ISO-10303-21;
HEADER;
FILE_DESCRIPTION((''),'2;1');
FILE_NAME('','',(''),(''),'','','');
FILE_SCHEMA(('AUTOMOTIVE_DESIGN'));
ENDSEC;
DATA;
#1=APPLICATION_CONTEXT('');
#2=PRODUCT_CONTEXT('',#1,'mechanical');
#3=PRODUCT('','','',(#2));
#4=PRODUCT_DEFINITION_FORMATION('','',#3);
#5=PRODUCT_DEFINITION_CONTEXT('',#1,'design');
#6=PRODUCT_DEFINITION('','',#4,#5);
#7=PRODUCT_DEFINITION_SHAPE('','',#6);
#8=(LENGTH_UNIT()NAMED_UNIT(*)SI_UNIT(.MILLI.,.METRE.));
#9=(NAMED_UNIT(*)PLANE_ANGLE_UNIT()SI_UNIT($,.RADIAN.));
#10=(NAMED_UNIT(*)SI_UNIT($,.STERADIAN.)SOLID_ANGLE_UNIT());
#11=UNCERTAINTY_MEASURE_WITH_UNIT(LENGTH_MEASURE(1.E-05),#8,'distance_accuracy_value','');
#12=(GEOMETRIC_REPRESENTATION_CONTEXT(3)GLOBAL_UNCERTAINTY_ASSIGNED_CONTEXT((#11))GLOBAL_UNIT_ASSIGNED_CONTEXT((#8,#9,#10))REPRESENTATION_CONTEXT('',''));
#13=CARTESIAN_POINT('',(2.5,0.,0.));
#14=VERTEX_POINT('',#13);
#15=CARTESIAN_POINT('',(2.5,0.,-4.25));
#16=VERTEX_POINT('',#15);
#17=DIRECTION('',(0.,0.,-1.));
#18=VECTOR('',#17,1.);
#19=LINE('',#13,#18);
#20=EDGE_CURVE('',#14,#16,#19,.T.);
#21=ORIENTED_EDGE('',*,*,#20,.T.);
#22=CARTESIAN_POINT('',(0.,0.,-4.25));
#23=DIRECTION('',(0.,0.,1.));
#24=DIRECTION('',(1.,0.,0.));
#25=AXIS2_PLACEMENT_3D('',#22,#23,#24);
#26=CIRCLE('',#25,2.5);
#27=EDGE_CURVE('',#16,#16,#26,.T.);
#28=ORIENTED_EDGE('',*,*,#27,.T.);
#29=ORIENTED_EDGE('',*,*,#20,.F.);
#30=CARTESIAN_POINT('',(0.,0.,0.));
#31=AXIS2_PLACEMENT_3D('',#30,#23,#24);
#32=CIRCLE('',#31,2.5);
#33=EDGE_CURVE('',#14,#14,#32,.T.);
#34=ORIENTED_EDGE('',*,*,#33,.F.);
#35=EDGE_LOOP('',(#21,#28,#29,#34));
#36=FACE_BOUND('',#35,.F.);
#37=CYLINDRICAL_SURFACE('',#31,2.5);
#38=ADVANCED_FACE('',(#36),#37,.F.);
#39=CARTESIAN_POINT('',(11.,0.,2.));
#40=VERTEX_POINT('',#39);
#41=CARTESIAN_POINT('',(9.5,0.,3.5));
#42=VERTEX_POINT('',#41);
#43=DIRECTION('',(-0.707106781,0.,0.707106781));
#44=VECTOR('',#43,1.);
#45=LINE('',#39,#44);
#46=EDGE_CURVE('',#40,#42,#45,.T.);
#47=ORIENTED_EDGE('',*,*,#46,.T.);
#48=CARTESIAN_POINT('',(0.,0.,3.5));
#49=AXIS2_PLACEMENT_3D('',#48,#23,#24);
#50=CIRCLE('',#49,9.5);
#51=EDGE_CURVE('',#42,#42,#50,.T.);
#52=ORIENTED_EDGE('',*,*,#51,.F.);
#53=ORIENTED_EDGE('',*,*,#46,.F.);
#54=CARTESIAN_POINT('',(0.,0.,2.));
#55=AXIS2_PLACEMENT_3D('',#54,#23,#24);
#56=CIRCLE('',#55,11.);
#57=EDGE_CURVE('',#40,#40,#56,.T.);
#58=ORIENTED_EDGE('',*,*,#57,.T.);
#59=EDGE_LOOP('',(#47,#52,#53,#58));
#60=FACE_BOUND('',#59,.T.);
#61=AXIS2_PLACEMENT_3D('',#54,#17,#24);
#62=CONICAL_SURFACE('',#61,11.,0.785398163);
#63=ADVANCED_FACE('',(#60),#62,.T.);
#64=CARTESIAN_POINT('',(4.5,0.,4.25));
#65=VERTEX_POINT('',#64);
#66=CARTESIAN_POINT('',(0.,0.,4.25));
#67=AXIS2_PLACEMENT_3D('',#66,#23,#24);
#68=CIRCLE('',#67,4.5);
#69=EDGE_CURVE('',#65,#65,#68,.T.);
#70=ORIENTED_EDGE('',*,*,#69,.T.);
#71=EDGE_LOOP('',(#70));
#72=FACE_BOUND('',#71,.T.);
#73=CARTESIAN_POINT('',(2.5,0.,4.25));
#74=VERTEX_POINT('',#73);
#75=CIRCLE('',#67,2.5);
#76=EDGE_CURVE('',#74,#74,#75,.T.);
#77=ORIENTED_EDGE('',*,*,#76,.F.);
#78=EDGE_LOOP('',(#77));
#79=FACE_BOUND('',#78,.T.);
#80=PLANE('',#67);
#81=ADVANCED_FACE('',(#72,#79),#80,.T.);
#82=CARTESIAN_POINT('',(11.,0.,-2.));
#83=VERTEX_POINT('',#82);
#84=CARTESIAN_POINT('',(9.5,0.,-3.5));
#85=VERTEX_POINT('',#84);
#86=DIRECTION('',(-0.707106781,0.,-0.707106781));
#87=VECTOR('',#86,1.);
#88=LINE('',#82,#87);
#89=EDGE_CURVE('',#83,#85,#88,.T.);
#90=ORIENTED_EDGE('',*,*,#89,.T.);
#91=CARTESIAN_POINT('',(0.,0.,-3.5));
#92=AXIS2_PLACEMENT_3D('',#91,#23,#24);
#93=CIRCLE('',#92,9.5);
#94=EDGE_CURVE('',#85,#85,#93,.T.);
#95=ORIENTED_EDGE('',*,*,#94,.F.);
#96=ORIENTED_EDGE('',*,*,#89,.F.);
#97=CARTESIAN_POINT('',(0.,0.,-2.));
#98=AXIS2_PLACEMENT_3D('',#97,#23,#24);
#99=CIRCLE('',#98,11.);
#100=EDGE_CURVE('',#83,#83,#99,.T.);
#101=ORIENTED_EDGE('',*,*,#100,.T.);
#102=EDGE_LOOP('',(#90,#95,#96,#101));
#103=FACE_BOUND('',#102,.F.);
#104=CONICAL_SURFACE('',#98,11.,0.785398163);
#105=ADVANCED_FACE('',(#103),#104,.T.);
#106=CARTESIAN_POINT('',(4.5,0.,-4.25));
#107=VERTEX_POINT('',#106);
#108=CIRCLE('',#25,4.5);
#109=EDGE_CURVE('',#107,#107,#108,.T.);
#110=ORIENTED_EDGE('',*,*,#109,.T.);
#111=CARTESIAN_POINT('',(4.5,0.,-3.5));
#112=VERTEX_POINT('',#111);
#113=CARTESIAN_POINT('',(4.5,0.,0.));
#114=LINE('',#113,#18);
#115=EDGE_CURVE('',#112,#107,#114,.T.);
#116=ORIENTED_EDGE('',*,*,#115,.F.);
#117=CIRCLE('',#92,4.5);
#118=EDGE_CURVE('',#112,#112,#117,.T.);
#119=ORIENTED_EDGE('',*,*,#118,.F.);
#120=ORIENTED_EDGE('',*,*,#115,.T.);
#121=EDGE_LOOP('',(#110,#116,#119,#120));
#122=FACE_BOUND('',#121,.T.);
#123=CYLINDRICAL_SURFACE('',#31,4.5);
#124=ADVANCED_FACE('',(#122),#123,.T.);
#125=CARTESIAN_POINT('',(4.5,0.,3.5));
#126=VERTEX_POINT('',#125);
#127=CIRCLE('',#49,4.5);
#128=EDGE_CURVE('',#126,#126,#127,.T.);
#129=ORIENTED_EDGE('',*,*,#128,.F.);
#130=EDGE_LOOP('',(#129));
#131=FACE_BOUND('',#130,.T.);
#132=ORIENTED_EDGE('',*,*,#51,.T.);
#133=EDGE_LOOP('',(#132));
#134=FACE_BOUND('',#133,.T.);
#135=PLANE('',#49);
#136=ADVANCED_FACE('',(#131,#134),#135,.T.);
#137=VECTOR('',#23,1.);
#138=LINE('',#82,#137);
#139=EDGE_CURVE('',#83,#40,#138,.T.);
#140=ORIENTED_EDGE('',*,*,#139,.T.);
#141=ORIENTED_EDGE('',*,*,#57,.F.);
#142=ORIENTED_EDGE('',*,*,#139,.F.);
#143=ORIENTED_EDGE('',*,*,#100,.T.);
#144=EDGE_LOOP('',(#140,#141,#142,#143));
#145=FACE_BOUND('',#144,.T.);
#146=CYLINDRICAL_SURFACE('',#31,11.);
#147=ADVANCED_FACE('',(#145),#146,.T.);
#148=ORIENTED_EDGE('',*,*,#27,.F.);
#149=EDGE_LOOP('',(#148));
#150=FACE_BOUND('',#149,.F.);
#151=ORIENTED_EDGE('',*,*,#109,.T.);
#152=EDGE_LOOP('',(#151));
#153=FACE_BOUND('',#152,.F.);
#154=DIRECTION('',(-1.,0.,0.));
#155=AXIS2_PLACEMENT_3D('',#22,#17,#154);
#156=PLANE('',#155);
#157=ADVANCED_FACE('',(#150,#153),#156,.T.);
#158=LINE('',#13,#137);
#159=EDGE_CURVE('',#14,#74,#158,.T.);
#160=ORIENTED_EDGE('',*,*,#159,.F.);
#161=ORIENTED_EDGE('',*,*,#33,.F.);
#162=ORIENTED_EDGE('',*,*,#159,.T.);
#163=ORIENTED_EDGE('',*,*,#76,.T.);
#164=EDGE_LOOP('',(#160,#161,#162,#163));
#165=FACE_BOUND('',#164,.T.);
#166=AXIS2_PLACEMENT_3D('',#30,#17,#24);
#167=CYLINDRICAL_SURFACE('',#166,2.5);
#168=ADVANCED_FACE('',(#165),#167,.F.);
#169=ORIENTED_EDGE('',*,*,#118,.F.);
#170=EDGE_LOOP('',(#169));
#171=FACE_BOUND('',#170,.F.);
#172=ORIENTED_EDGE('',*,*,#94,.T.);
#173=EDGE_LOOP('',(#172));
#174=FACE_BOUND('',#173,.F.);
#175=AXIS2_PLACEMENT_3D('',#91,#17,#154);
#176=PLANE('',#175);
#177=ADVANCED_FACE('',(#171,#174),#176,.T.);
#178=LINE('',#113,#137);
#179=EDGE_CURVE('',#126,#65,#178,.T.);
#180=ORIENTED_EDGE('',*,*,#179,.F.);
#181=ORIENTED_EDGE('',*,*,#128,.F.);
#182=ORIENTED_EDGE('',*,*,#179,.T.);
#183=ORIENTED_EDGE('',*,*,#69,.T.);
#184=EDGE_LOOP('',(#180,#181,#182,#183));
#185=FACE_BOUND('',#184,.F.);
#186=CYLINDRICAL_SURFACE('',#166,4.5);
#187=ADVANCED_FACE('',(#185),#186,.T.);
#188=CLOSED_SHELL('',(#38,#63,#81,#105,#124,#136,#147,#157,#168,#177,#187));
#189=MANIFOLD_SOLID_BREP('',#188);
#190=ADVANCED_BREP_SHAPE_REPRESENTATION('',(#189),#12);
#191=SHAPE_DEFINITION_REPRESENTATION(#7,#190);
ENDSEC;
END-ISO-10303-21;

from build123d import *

# Parameters (mm, degrees)
F0_R     = 4.5
F0_R_2   = 2.5
F1_DEPTH = 4.25
F0_R_3   = 11
F2_DEPTH = 3.5
F3_SIZE  = 1.5


with BuildPart() as f1:
    # F0 (on Top) → F1 (new body)
    with BuildSketch(Plane.XY):
        Circle(F0_R)
        Circle(F0_R_2, mode=Mode.SUBTRACT)
    extrude(amount=F1_DEPTH)

    # F0 (on Top) → F2 (join)
    with BuildSketch(Plane.XY):
        Circle(F0_R_3)
        Circle(F0_R, mode=Mode.SUBTRACT)
    extrude(amount=F2_DEPTH)

    # F3
    f3_edges = [f1.edges().sort_by_distance(p)[0] for p in [
        (-11, 0, 3.5),
    ]]
    chamfer(f3_edges, length=F3_SIZE)

    # F4: F1 across face


with BuildPart() as f1_1:
    add(f1.part)
    add(f1.part.mirror(Plane(origin=(0, 0, 0), x_dir=(1, 0, 0), z_dir=(0, 0, -1))))


solid = f1_1.part
